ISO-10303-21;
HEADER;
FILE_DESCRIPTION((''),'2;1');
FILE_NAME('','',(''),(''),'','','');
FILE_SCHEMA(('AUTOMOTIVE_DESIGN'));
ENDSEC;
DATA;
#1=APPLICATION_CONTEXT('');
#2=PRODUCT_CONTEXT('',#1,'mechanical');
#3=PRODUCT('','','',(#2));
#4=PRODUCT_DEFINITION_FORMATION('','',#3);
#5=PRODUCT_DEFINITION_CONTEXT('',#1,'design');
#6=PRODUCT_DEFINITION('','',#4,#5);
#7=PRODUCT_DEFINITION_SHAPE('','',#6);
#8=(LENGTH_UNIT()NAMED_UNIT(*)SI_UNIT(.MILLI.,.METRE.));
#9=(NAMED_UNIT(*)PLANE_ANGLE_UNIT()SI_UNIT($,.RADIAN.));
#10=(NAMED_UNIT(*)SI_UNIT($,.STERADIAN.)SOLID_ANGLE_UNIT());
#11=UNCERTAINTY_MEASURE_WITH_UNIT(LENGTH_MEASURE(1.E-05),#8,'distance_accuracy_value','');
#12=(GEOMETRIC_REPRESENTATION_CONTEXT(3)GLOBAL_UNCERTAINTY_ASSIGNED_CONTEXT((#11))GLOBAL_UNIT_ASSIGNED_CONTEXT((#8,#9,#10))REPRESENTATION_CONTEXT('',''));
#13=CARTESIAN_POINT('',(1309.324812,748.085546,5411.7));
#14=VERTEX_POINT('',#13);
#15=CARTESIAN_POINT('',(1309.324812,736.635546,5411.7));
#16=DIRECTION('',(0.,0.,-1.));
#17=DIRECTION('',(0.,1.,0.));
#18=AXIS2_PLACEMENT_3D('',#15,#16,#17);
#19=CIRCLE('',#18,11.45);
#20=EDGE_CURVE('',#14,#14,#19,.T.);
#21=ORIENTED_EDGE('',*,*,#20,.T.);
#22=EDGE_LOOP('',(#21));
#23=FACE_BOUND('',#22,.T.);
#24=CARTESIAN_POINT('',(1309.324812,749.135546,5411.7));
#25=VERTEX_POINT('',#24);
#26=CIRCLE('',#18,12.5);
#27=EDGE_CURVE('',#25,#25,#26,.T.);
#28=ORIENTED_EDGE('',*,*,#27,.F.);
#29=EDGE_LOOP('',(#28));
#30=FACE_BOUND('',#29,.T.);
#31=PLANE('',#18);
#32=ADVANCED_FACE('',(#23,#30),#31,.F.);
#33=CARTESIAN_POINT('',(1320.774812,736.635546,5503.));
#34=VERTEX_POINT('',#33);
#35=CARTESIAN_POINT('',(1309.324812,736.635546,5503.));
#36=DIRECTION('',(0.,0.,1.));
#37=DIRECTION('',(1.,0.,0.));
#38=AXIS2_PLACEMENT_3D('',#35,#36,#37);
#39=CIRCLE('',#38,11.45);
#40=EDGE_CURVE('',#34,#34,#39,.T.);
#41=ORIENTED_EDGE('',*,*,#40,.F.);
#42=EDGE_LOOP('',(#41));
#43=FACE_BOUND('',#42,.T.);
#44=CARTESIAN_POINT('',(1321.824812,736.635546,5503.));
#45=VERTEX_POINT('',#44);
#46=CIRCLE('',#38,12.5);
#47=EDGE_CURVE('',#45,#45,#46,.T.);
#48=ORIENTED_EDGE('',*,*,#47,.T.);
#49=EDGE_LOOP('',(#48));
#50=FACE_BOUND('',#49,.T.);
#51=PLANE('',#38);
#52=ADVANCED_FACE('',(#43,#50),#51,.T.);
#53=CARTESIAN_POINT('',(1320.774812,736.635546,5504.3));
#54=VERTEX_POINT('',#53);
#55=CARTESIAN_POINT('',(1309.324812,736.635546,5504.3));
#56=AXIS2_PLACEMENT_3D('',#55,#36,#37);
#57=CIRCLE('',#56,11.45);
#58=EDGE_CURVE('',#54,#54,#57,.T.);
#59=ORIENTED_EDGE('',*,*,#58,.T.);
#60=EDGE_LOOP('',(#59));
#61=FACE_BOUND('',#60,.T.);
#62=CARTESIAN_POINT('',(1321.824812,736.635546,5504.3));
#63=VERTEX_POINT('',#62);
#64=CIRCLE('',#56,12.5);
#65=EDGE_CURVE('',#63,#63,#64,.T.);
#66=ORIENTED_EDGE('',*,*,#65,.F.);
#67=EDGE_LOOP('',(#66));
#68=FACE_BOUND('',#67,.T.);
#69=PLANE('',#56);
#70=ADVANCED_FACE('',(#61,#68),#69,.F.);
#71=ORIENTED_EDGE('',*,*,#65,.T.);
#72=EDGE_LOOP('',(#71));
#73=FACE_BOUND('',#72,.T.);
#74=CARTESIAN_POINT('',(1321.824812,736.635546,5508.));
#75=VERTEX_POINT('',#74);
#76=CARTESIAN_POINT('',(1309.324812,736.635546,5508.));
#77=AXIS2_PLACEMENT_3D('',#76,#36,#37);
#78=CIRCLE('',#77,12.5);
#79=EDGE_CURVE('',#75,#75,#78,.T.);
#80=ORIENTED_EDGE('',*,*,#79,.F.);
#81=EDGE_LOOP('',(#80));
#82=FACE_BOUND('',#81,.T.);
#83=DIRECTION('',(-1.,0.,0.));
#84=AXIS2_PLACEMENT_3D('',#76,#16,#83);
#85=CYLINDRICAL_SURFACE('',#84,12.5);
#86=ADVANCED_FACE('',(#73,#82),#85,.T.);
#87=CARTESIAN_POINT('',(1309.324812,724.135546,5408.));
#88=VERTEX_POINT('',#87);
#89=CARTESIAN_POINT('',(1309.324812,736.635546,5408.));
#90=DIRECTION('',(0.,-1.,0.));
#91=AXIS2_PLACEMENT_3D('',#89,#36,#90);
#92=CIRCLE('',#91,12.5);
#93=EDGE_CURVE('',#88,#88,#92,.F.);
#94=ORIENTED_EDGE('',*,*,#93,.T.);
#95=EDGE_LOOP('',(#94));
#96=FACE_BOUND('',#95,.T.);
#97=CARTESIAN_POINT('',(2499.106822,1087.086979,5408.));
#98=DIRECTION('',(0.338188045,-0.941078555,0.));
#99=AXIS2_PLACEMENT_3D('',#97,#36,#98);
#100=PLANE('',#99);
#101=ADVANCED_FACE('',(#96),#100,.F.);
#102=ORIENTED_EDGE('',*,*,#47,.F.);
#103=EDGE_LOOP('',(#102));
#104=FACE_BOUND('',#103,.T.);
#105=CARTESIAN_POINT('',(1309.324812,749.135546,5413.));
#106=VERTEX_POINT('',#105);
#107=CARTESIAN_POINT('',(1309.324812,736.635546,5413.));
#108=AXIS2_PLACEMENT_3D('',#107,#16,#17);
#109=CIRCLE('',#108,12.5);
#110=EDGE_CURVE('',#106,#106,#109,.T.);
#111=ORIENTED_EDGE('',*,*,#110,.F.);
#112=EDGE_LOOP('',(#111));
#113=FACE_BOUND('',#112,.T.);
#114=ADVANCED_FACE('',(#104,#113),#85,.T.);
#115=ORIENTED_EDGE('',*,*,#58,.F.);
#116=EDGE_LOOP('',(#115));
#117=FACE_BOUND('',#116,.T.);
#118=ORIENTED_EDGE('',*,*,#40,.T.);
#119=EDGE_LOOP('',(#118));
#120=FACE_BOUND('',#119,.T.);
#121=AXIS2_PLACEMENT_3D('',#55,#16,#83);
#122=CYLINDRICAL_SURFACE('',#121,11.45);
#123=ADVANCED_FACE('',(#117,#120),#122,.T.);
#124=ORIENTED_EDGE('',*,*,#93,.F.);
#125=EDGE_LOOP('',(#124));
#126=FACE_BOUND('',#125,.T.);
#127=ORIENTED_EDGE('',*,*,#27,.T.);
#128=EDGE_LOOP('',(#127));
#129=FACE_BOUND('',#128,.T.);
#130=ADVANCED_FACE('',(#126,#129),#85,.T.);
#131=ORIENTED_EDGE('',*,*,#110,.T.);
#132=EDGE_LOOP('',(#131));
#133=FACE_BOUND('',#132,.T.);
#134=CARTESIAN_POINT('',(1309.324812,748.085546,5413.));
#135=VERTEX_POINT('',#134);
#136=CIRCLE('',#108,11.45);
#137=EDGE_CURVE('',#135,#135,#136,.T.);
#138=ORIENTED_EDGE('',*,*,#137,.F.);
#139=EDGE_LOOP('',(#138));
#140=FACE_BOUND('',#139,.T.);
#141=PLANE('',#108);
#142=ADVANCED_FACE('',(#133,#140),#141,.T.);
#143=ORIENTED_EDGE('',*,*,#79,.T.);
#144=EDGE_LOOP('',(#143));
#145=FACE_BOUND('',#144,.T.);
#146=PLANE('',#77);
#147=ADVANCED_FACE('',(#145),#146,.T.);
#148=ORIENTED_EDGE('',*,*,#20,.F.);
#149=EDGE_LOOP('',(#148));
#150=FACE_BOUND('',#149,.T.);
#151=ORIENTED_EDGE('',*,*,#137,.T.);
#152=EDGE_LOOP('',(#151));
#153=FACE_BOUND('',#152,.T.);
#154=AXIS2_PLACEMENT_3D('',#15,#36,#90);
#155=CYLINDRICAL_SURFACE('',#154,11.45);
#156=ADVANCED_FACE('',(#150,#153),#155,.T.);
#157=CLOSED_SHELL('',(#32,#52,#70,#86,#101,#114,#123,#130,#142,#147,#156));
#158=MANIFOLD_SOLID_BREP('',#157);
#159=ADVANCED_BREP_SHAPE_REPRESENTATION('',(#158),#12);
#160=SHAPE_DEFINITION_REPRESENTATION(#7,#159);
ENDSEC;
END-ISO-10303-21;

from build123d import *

# Parameters (mm, degrees)
SKETCH_1_R          = 12.5
EXTRUDE_1_DEPTH     = 5
SKETCH_1_2_R        = 12.5
EXTRUDE_2_DEPTH     = 95
SKETCH_2_OUTSIDE_W  = 48.214
SKETCH_2_OUTSIDE_H  = 48.214
SKETCH_2_OUTSIDE_R  = 11.45
CUT_EXTRUDE_1_DEPTH = 1.3
SKETCH_3_OUTSIDE_W  = 48.214
SKETCH_3_OUTSIDE_H  = 48.214
SKETCH_3_OUTSIDE_R  = 11.45
CUT_EXTRUDE_2_DEPTH = 1.3


with BuildPart() as part:
    # 草图1 → 凸台-拉伸1 (new body)
    with BuildSketch(Plane.XY.offset(5503)):
        with Locations((1309.324811799, 736.635546363)):
            Circle(SKETCH_1_R)
    extrude(amount=EXTRUDE_1_DEPTH)

    # 草图1<2> → 凸台-拉伸2 (add)
    with BuildSketch(Plane.XY.offset(5503)):
        with Locations((1309.324811799, 736.635546363)):
            Circle(SKETCH_1_2_R)
    extrude(amount=-EXTRUDE_2_DEPTH)

    # 草图2 outside → 切除-拉伸1 (cut)
    with BuildSketch(Plane.XY.offset(5503)):
        with Locations((1309.325, 736.636)):
            Rectangle(SKETCH_2_OUTSIDE_W, SKETCH_2_OUTSIDE_H)
        with Locations((1309.324811799, 736.635546363)):
            Circle(SKETCH_2_OUTSIDE_R, mode=Mode.SUBTRACT)
    extrude(amount=CUT_EXTRUDE_1_DEPTH, mode=Mode.SUBTRACT)

    # 草图3 outside → 切除-拉伸2 (cut)
    with BuildSketch(Plane(origin=(0, 0, 5413), x_dir=(-1, 0, 0), z_dir=(0, 0, -1))):
        with Locations((-1309.325, 736.636)):
            Rectangle(SKETCH_3_OUTSIDE_W, SKETCH_3_OUTSIDE_H)
        with Locations((-1309.324811799, 736.635546363)):
            Circle(SKETCH_3_OUTSIDE_R, mode=Mode.SUBTRACT)
    extrude(amount=CUT_EXTRUDE_2_DEPTH, mode=Mode.SUBTRACT)


solid = part.part
